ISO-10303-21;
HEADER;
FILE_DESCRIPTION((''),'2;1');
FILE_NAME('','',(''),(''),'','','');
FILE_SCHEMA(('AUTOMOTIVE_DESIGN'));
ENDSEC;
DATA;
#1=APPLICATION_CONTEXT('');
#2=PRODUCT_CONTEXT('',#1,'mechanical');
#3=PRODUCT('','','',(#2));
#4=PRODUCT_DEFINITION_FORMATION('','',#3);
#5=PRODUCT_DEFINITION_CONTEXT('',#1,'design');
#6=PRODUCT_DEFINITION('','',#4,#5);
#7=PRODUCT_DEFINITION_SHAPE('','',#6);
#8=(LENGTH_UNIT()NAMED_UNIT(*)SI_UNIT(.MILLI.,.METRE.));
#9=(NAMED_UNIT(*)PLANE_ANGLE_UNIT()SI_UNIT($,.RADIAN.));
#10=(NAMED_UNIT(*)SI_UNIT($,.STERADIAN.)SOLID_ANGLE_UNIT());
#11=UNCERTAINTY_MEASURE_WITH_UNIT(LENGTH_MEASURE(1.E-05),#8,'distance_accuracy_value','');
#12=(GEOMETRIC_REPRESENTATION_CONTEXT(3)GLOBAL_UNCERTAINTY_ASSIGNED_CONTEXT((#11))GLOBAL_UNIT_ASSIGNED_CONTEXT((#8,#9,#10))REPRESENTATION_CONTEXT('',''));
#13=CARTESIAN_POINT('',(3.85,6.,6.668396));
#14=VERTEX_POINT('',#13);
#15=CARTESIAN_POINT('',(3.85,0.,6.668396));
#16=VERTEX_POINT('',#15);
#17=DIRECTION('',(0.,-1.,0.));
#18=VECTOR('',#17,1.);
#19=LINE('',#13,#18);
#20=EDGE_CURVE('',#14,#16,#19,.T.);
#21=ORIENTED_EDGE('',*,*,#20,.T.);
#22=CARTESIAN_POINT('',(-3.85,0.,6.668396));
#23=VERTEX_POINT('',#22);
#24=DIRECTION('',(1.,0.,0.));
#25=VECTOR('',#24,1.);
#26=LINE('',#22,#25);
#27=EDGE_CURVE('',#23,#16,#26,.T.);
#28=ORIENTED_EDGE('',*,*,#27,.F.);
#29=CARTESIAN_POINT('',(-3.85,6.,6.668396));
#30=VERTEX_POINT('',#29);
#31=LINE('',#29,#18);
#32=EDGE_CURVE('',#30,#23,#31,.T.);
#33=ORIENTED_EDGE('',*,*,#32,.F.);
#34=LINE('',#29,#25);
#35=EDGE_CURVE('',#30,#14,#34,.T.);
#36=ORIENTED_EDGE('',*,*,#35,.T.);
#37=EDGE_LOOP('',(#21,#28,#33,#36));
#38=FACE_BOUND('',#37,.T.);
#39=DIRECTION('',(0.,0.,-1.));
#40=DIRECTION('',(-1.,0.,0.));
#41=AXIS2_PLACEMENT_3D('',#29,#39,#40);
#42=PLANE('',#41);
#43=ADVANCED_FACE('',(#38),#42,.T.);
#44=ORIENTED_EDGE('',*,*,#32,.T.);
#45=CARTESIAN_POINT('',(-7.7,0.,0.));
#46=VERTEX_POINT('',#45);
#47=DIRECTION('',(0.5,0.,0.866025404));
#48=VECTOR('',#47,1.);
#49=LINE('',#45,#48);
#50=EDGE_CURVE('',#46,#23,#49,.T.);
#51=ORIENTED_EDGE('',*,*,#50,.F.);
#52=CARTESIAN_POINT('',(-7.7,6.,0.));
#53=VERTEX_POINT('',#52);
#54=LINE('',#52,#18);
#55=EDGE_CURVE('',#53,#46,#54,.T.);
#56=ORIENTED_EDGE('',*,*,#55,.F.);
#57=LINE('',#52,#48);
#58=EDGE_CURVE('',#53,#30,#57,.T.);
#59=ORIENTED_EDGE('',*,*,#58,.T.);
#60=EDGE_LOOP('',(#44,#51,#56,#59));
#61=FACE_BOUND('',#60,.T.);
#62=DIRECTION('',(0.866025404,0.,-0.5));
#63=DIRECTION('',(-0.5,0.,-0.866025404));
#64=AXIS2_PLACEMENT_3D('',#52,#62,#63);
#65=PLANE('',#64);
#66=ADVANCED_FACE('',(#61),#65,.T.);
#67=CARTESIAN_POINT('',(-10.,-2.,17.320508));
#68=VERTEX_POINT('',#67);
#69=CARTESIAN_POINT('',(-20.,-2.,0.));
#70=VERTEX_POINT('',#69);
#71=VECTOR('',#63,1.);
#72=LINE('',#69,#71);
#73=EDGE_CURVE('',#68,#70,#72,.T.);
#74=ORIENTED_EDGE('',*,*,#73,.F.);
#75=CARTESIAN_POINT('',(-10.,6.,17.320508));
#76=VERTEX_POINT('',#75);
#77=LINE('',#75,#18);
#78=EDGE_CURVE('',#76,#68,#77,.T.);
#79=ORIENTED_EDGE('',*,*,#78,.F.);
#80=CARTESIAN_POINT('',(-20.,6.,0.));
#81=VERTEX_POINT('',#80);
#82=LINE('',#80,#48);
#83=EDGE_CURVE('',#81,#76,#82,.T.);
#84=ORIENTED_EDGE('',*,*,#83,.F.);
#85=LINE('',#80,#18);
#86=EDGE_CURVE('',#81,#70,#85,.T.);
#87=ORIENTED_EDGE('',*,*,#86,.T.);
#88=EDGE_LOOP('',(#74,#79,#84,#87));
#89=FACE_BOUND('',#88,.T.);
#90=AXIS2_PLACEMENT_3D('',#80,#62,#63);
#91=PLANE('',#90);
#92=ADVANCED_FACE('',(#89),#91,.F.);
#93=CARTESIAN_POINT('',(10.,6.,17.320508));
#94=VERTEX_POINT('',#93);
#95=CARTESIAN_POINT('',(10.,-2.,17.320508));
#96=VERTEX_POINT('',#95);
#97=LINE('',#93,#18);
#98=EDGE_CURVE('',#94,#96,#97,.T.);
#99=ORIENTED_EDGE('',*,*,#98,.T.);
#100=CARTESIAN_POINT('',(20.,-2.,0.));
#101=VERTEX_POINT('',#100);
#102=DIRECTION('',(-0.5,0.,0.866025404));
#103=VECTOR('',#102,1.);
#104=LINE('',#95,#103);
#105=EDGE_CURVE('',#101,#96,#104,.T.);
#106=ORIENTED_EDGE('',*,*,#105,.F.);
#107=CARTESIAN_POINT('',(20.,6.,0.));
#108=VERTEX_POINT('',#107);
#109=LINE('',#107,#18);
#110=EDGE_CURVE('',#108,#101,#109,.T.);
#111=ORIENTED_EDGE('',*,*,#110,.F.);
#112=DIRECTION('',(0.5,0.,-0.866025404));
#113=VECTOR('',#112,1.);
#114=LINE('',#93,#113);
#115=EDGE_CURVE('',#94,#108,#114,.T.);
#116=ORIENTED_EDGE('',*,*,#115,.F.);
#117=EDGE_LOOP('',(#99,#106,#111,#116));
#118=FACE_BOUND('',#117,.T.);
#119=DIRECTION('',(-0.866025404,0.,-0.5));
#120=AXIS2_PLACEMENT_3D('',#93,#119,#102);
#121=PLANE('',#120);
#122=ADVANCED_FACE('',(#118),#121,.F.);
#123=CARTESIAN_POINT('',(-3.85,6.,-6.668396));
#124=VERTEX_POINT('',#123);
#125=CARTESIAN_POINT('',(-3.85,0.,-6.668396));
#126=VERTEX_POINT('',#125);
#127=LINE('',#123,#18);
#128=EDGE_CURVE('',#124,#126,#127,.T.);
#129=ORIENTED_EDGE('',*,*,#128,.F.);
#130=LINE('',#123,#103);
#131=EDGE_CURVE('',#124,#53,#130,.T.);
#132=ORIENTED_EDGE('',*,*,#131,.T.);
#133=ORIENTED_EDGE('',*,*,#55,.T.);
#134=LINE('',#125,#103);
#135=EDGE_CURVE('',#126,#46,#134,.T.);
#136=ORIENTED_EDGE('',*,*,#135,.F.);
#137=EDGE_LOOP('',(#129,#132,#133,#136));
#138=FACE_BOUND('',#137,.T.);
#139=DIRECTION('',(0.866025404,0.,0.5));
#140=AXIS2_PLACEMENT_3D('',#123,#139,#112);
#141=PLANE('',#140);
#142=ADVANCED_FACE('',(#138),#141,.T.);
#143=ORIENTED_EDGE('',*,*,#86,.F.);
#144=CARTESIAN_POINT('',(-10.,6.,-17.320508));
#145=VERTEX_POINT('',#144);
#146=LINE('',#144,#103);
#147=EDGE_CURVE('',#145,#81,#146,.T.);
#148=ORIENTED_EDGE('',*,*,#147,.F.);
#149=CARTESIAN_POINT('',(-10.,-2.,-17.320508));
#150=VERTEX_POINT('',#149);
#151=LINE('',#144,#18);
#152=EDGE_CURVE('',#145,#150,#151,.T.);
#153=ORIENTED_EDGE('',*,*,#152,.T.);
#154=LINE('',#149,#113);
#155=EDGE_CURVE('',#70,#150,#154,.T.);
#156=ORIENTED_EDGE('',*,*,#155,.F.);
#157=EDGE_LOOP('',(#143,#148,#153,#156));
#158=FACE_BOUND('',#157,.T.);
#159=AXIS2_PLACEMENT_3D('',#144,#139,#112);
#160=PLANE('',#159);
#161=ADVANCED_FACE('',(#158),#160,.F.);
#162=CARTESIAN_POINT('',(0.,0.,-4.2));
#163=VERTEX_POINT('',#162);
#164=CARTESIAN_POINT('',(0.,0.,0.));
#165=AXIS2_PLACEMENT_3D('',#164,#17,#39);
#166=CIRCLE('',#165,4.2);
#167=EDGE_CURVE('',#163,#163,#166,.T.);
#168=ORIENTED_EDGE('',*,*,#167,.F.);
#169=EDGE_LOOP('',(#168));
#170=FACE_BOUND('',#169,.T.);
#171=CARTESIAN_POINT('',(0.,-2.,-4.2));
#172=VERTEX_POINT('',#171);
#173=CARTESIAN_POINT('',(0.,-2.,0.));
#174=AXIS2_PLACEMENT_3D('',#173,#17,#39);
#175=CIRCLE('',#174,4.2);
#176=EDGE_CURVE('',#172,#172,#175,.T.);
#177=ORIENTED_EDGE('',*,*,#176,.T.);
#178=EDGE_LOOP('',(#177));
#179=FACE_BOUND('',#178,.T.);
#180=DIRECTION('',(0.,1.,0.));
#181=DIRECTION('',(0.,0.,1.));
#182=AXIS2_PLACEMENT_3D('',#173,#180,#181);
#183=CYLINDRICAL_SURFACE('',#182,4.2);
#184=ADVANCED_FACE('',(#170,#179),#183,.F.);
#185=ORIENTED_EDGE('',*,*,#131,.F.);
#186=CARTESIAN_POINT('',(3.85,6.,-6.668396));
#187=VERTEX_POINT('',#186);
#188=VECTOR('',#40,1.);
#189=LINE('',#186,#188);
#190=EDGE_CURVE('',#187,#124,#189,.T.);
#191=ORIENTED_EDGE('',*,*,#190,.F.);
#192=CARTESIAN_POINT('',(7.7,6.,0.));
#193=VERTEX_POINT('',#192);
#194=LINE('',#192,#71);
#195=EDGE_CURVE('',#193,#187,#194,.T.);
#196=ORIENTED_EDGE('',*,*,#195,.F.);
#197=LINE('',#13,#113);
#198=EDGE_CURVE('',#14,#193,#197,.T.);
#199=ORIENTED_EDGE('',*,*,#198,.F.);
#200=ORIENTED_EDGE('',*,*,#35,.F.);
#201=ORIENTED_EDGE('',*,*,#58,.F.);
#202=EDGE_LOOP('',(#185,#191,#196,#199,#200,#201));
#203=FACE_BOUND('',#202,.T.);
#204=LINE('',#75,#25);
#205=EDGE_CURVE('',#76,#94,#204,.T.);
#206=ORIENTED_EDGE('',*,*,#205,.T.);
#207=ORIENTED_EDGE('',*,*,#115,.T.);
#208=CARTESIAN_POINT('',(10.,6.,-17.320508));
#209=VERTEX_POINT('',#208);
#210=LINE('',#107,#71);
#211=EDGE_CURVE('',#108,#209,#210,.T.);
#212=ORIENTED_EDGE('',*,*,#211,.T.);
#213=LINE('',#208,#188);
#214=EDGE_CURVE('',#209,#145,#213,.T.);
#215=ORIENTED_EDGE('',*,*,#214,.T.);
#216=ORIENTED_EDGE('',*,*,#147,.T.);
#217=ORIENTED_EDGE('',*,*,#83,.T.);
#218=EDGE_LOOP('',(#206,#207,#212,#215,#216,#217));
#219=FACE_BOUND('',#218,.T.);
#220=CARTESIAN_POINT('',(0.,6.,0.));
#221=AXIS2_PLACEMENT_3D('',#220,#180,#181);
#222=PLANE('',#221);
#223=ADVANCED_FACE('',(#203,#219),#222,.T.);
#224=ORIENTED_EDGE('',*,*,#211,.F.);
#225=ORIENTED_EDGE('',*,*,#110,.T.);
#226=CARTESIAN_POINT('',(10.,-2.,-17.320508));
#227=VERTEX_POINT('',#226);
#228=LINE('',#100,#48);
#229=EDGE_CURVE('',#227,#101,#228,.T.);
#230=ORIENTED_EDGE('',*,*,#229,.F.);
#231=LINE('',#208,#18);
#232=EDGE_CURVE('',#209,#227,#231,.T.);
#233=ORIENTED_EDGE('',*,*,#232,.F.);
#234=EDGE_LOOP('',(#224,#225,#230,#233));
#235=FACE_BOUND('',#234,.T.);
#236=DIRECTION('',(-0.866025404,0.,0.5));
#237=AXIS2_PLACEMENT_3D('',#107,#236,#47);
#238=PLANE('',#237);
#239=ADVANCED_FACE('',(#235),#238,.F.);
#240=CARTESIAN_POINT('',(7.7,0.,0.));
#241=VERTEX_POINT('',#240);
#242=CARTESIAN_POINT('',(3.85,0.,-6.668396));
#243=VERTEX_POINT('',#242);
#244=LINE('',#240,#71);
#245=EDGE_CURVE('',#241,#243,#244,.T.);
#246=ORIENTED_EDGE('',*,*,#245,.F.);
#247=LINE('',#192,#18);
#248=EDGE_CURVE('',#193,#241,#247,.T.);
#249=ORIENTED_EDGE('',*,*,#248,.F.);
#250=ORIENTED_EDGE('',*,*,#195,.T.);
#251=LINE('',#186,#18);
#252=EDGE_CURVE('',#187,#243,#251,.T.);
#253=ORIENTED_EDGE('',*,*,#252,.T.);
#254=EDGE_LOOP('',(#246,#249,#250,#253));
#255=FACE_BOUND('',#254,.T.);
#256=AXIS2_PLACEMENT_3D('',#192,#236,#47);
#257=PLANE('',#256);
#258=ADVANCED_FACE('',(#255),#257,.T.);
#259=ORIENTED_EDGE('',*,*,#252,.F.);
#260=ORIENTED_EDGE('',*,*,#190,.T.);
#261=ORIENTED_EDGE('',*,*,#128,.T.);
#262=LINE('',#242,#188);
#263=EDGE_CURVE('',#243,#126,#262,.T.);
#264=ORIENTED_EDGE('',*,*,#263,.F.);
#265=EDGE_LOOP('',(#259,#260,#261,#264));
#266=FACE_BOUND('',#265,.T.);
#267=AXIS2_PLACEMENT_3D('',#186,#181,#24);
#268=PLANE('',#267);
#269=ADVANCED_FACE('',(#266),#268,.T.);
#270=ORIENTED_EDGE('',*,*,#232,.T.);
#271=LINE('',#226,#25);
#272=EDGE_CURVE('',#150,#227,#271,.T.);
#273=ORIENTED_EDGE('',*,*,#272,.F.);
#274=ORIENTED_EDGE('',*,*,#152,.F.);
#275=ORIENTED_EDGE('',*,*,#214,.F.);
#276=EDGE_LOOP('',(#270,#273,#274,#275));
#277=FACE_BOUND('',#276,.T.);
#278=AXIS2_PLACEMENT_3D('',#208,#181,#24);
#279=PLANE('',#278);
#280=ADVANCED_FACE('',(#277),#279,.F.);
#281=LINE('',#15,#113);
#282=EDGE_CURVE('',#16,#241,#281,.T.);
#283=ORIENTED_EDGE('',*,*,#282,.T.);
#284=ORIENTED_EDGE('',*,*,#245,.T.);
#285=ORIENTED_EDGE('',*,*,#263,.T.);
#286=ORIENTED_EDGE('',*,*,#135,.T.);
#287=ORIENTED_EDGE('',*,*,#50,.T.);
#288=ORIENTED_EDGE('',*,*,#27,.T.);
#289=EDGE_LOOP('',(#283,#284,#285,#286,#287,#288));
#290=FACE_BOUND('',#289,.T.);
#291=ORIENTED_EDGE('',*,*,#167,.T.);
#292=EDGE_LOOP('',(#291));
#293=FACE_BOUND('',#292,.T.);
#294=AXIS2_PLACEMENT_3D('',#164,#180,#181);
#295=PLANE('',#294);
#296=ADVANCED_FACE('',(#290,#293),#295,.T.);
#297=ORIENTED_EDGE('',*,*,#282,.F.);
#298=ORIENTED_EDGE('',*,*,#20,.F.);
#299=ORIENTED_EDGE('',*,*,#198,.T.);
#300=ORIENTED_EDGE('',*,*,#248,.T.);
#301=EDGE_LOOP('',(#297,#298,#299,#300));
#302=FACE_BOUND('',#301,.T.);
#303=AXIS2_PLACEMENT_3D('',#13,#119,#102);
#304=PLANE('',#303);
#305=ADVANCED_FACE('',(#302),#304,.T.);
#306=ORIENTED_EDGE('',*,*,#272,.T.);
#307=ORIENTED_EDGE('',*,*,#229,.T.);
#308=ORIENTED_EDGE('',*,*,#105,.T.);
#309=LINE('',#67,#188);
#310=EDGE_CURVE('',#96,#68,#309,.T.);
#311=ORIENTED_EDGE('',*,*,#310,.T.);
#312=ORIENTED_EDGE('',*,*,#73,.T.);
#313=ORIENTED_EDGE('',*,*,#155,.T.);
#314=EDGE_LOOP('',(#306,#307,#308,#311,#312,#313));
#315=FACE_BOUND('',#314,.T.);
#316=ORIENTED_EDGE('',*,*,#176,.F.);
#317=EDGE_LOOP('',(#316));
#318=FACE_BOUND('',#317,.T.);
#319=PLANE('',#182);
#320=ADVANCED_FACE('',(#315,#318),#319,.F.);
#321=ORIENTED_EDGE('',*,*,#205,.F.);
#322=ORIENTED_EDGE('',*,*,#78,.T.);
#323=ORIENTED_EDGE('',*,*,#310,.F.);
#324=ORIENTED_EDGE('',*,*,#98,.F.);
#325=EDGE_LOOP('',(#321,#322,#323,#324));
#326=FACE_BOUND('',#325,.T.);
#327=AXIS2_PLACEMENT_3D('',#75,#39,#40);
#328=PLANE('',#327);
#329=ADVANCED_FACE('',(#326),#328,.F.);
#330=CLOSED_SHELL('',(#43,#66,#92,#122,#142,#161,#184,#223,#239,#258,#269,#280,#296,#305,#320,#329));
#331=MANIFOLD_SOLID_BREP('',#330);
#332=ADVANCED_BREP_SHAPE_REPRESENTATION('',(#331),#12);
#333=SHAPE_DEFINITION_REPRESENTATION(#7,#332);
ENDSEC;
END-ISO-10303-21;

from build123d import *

# Parameters (mm, degrees)
BOSS_EXTRUDE1_DEPTH = 6
SKETCH2_R           = 4.2
BOSS_EXTRUDE2_DEPTH = 2


with BuildPart() as part:
    # Sketch1 → Boss-Extrude1 (new body)
    with BuildSketch(Plane(origin=(0, 0, 0), x_dir=(1, 0, 0), z_dir=(0, 1, 0))):
        Polygon((-10, 17.320508076), (-20, 0), (-10, -17.320508076), (10, -17.320508076), (20, 0), (10, 17.320508076), align=None)
        Polygon((-3.85, 6.668395609), (-7.7, 0), (-3.85, -6.668395609), (3.85, -6.668395609), (7.7, 0), (3.85, 6.668395609), align=None, mode=Mode.SUBTRACT)
    extrude(amount=BOSS_EXTRUDE1_DEPTH)

    # Sketch2 → Boss-Extrude2 (add)
    with BuildSketch(Plane.XZ):
        Polygon((20, 0), (10, -17.320508076), (-10, -17.320508076), (-20, 0), (-10, 17.320508076), (10, 17.320508076), align=None)
        Circle(SKETCH2_R, mode=Mode.SUBTRACT)
    extrude(amount=BOSS_EXTRUDE2_DEPTH)


solid = part.part
